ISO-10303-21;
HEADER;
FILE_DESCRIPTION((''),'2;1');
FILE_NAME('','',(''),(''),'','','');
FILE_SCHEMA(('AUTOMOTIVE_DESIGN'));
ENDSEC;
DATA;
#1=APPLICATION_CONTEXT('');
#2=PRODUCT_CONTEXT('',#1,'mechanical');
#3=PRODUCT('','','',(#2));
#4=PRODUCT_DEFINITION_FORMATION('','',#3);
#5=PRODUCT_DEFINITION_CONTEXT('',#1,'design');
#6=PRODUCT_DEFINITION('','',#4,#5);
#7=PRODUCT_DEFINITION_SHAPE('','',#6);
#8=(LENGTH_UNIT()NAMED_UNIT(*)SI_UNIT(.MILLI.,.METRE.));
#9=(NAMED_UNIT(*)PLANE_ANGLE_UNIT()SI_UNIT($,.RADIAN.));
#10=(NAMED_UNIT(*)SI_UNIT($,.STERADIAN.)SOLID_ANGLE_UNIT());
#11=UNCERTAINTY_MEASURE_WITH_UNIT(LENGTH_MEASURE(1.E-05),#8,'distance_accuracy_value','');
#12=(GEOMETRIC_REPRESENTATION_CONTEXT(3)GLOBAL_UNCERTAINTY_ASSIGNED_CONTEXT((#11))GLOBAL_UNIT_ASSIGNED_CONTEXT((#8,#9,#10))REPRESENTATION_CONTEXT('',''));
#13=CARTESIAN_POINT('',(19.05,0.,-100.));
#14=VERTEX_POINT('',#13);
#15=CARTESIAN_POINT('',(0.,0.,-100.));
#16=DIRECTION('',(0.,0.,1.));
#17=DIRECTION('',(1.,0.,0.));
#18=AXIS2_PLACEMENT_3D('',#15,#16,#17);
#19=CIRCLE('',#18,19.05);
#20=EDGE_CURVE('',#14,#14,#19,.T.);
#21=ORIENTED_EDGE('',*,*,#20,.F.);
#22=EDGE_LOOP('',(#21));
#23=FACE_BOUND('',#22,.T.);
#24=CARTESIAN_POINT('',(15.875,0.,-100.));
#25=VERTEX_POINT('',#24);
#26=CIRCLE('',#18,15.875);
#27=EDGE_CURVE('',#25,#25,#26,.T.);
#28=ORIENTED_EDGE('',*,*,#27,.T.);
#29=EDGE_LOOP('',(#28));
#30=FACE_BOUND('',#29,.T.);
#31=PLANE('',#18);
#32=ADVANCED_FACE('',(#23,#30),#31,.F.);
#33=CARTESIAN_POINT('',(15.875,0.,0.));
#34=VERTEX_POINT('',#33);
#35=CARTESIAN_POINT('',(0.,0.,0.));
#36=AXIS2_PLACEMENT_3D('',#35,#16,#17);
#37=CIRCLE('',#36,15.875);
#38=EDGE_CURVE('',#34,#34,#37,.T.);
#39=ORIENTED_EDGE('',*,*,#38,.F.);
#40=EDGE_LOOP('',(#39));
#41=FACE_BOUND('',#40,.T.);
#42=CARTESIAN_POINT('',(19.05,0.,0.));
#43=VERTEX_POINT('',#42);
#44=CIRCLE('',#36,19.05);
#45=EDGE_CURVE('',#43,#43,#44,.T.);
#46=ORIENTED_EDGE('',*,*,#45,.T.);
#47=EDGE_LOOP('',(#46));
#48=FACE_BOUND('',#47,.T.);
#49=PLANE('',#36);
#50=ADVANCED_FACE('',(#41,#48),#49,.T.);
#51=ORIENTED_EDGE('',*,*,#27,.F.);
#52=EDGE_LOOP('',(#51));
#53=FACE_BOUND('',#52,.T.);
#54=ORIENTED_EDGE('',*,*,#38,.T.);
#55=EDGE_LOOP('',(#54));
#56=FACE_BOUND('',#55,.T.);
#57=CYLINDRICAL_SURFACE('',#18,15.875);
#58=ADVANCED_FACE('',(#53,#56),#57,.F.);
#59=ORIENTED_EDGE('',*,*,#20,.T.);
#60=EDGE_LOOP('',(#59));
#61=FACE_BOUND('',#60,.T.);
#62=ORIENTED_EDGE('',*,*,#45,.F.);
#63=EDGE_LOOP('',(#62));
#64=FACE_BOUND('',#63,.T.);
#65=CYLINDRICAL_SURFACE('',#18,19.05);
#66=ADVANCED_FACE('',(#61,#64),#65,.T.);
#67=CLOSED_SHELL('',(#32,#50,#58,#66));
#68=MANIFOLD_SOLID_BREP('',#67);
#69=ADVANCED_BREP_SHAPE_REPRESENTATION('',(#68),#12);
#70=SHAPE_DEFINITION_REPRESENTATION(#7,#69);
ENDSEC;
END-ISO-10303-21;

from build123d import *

# Parameters (mm, degrees)
SKETCH1_R           = 19.05
SKETCH1_R_2         = 15.875
EXTRUDE_THIN1_DEPTH = 100


with BuildPart() as part:
    # Sketch1 → Extrude-Thin1 (new body)
    with BuildSketch(Plane.XY):
        Circle(SKETCH1_R)
        Circle(SKETCH1_R_2, mode=Mode.SUBTRACT)
    extrude(amount=-EXTRUDE_THIN1_DEPTH)


solid = part.part
